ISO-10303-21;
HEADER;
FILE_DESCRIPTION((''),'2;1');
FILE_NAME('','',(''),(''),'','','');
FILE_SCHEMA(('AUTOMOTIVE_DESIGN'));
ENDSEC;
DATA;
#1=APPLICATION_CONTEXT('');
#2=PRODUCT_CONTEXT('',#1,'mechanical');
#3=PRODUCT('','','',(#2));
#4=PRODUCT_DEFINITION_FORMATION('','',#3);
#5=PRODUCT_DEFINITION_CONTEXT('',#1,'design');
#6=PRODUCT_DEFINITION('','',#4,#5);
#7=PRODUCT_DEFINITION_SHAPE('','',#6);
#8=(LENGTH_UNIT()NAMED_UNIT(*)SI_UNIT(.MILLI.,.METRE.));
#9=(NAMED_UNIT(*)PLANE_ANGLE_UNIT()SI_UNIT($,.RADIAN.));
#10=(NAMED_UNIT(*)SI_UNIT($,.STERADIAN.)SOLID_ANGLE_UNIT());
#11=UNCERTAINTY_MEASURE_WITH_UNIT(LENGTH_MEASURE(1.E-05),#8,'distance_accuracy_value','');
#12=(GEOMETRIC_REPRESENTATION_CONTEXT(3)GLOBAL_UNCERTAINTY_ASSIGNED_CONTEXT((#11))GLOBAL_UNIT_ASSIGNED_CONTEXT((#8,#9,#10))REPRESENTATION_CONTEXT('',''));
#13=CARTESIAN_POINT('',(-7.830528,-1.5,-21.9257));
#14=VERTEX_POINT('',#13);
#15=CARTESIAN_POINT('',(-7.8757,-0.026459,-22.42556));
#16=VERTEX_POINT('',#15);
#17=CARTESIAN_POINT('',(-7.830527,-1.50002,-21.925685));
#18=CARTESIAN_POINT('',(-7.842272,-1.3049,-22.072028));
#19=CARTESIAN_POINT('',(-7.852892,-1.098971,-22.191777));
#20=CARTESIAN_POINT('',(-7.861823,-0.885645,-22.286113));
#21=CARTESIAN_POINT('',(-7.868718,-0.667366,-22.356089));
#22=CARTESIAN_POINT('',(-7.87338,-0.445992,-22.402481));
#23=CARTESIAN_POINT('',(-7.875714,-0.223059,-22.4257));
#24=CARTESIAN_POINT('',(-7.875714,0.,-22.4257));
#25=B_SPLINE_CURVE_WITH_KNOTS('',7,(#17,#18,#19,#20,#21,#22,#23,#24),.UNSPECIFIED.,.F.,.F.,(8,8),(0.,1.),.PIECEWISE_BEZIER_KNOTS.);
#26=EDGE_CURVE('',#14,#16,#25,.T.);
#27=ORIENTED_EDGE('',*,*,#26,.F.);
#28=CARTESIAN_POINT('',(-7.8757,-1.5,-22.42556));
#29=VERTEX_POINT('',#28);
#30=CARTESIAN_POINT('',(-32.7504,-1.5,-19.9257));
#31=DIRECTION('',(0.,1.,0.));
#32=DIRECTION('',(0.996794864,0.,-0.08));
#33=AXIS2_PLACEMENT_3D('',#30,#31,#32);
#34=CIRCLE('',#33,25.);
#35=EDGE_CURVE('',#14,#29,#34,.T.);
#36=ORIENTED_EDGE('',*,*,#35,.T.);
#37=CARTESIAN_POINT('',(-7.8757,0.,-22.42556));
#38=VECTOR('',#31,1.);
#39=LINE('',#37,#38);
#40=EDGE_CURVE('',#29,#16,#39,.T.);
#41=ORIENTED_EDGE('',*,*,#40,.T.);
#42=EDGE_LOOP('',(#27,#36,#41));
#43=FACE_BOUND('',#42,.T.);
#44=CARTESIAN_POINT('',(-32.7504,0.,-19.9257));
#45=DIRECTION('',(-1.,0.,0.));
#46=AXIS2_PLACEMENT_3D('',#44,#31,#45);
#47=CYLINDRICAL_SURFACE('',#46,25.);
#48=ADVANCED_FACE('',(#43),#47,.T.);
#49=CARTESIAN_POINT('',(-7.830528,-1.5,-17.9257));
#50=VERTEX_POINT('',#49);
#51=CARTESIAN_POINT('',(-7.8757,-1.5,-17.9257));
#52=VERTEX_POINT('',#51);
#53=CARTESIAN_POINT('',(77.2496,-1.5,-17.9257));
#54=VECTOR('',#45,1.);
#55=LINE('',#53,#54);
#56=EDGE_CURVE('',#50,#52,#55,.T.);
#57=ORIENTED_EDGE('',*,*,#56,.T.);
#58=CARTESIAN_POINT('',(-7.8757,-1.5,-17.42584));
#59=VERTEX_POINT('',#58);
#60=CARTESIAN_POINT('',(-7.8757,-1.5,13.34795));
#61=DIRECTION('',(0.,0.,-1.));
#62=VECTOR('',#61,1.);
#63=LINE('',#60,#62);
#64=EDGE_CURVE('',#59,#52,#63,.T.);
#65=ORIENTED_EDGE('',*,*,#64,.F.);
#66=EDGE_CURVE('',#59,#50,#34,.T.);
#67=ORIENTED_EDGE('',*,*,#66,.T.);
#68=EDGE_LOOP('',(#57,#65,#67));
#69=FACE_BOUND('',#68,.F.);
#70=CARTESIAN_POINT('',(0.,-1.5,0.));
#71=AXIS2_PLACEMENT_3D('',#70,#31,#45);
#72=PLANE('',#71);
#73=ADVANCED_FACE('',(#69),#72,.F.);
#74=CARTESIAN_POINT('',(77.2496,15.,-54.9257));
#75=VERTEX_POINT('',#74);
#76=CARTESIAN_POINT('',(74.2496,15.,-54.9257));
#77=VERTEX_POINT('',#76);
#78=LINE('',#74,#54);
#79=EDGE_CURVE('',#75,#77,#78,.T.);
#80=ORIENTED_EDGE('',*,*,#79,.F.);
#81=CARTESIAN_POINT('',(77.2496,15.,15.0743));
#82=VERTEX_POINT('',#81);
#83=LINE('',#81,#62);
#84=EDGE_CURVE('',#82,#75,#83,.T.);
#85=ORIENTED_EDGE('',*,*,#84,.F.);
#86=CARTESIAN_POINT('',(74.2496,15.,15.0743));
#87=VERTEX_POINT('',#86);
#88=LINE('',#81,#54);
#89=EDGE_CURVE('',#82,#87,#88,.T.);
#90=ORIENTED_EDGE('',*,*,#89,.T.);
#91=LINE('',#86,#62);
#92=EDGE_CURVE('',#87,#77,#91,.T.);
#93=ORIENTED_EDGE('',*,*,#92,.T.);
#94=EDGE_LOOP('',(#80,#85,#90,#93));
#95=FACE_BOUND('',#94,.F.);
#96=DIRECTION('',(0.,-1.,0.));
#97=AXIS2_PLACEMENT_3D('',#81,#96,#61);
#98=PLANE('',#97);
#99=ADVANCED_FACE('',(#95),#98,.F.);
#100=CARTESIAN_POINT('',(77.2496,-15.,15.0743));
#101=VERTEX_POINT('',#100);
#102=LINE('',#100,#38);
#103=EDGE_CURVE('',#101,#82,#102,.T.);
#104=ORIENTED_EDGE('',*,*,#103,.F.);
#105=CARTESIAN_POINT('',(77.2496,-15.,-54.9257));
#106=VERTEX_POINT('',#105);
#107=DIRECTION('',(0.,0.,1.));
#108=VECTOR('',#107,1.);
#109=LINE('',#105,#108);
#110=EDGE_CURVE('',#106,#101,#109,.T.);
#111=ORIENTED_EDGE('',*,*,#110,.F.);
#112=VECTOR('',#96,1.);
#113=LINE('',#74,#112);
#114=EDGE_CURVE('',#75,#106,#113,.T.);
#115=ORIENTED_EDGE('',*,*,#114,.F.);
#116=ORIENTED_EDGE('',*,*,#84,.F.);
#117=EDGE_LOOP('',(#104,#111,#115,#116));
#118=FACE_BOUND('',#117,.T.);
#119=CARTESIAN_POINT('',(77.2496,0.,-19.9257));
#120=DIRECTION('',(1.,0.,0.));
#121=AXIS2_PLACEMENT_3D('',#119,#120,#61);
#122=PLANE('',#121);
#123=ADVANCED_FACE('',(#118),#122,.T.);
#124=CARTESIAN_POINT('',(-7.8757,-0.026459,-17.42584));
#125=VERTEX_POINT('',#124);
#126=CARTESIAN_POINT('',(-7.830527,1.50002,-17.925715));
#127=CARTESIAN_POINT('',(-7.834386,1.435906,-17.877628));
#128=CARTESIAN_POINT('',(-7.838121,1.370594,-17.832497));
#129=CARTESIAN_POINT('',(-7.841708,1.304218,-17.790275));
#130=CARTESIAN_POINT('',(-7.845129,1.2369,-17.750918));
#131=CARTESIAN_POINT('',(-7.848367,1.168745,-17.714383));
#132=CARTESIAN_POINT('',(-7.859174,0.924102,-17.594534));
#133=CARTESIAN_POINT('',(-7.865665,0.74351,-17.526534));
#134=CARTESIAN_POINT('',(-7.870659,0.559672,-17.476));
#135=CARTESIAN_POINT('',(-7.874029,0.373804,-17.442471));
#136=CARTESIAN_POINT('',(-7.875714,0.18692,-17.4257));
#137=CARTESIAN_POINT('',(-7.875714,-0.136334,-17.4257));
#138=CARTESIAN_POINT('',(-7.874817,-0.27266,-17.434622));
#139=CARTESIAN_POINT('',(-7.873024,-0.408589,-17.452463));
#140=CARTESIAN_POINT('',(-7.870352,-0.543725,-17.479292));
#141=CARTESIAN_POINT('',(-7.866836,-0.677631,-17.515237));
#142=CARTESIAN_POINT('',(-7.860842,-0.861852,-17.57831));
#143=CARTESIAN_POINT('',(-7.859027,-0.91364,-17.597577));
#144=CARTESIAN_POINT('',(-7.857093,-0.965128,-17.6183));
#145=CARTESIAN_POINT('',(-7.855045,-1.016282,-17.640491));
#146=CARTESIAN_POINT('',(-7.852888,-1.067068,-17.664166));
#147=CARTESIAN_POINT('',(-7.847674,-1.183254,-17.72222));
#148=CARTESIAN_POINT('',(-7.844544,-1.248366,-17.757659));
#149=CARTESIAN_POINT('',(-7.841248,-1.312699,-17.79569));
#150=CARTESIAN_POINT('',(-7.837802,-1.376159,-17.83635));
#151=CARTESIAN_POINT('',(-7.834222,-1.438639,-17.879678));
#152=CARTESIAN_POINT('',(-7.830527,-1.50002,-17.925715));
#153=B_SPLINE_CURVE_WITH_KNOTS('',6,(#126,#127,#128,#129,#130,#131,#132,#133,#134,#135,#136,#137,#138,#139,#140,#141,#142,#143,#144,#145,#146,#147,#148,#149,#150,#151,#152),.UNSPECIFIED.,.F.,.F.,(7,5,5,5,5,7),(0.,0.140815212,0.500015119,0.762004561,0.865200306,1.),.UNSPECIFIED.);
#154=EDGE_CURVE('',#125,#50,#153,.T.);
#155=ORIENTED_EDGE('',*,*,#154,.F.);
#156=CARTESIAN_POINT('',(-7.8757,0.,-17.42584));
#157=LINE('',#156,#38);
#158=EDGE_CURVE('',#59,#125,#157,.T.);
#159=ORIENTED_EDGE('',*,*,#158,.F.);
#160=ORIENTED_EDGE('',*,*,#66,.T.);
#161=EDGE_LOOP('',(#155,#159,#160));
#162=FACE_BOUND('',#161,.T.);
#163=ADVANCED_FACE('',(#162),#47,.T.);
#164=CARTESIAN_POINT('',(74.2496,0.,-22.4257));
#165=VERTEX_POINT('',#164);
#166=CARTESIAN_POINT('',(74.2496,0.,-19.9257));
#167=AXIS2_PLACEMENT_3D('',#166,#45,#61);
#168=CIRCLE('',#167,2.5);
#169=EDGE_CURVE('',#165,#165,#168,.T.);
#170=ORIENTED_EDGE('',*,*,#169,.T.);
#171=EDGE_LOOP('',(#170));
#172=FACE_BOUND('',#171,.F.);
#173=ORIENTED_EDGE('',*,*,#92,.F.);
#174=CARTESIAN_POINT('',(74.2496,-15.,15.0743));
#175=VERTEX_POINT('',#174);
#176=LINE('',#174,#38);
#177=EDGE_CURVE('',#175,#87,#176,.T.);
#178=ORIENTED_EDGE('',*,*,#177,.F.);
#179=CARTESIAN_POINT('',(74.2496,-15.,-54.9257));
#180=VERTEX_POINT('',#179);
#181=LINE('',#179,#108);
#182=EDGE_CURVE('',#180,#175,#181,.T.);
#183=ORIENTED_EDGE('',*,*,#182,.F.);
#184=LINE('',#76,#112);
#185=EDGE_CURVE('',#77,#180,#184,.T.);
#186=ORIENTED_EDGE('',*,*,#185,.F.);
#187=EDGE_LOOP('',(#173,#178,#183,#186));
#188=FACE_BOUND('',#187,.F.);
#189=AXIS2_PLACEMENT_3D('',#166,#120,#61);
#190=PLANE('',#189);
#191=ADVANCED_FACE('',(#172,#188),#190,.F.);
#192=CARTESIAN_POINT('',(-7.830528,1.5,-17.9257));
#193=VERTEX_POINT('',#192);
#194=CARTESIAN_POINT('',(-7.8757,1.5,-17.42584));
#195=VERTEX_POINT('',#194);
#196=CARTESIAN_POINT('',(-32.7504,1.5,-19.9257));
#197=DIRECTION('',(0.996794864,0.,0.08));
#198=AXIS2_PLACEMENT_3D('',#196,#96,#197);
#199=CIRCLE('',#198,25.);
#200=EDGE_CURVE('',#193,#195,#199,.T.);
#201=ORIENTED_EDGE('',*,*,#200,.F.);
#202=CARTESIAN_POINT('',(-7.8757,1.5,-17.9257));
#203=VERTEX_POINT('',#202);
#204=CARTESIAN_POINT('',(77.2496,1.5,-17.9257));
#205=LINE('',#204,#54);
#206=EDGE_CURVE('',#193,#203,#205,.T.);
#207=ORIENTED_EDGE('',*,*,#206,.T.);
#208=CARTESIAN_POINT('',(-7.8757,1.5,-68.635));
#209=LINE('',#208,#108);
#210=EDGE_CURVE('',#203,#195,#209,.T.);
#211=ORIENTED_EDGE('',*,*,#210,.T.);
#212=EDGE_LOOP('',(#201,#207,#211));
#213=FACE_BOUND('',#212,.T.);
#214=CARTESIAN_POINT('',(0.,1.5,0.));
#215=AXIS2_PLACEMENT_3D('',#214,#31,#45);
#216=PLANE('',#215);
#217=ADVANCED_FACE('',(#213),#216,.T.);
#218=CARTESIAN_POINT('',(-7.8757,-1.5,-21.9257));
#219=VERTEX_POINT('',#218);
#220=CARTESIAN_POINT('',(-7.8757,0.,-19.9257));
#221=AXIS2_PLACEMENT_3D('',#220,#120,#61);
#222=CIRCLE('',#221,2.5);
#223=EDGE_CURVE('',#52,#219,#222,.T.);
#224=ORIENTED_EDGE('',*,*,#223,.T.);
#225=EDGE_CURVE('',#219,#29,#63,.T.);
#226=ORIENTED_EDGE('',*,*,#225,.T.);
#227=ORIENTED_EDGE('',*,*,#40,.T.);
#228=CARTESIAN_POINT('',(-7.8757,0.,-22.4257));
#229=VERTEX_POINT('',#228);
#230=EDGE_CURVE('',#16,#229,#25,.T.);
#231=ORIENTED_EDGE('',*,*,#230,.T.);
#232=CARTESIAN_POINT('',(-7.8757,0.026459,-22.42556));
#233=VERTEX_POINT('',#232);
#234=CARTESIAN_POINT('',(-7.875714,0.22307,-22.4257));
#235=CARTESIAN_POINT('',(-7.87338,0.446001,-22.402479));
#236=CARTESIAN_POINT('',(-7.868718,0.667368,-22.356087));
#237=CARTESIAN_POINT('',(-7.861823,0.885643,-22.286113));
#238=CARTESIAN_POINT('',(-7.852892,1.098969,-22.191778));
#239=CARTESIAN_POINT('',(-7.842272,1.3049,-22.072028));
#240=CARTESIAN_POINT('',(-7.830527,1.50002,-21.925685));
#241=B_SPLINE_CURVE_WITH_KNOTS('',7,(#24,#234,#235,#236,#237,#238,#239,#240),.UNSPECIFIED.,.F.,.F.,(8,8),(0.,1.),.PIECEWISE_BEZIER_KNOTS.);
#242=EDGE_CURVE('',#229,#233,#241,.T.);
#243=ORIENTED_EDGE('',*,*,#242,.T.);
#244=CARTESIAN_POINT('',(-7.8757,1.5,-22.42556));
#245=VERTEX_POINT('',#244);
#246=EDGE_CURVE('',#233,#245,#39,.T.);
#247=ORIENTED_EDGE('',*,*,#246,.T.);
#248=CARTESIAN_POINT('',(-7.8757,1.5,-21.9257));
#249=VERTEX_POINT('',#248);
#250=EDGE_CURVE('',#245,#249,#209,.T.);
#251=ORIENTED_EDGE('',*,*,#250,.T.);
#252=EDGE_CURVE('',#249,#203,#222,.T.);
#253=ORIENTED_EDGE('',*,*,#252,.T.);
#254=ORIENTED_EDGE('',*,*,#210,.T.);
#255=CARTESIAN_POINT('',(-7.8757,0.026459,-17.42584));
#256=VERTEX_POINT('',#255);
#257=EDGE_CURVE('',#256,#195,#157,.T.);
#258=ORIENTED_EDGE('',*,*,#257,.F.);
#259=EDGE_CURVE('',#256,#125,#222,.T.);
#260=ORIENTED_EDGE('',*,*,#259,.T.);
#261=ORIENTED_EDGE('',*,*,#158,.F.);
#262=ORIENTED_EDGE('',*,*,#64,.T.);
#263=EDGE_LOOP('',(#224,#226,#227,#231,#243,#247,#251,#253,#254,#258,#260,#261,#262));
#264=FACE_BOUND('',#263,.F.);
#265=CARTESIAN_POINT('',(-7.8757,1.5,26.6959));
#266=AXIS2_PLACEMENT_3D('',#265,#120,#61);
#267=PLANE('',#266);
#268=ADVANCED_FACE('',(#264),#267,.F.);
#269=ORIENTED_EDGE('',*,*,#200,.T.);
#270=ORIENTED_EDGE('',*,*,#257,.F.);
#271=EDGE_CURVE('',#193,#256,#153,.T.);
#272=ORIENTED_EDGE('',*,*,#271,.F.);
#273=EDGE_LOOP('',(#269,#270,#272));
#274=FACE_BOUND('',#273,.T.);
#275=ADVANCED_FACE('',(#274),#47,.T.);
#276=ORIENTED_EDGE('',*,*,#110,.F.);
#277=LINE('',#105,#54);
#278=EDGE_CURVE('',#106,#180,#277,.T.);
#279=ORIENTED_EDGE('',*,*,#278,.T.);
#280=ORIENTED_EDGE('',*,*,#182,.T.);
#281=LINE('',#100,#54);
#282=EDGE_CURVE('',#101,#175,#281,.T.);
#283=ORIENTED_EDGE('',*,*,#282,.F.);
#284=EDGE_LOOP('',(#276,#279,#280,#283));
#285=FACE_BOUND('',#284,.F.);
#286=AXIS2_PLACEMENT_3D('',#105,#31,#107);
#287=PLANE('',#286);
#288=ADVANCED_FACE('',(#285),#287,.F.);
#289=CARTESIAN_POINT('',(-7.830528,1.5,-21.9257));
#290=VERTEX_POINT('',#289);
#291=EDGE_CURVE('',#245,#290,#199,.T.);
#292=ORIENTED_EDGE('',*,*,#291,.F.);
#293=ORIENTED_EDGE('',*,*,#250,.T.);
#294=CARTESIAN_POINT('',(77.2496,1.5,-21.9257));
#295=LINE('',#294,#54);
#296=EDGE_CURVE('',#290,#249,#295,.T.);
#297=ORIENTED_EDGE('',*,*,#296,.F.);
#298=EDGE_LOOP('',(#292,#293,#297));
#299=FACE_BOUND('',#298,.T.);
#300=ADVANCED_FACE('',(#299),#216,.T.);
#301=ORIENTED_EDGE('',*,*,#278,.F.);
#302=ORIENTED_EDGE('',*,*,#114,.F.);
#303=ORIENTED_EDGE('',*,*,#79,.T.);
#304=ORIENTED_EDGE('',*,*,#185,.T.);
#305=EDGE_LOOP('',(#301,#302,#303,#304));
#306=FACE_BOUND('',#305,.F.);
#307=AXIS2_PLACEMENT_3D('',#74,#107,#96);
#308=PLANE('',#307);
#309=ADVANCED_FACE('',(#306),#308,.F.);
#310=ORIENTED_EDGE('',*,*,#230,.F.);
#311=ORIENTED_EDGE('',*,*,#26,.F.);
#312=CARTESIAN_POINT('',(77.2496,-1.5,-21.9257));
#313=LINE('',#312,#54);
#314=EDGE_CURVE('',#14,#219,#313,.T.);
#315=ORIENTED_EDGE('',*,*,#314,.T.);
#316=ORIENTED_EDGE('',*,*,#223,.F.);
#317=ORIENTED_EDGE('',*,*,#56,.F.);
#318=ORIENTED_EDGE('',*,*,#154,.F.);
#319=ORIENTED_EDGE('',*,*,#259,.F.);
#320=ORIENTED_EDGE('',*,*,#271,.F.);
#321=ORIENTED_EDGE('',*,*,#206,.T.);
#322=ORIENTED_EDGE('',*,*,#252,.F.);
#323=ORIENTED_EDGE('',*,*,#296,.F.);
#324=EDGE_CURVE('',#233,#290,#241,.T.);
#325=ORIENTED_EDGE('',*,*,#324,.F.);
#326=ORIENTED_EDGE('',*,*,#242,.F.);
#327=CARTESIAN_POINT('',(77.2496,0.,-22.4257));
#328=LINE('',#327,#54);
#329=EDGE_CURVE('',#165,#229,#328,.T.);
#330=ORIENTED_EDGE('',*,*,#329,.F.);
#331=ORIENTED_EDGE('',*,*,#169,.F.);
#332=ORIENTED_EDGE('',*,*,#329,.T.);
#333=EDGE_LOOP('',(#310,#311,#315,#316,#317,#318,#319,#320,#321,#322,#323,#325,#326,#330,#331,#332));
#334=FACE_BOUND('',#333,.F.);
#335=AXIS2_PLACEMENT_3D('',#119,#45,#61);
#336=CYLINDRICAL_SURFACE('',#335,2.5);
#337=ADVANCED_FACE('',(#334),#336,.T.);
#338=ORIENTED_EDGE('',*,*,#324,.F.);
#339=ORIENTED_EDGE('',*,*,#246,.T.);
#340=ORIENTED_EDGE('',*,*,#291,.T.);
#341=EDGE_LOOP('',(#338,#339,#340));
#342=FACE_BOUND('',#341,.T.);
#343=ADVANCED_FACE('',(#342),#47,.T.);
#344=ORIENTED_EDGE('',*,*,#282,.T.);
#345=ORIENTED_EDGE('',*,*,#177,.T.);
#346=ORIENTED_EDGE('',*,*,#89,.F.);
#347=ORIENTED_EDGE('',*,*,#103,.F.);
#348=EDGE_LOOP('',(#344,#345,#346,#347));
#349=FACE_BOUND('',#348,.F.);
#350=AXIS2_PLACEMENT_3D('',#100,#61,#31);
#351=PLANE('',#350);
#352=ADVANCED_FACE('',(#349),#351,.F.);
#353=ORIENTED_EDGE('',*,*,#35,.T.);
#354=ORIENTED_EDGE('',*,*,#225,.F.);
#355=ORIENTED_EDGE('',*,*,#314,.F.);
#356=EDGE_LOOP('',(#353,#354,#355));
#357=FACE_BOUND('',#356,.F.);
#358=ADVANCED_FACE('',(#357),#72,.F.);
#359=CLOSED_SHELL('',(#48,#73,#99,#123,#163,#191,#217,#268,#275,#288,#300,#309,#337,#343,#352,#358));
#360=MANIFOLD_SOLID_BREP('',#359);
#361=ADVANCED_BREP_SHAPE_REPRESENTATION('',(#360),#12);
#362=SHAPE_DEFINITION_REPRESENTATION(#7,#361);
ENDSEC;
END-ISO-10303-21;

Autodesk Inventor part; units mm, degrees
ref_plane "YZ Plane" through (0, 0, 0) normal (1, 0, 0) x (0, 1, 0)
ref_plane "XZ Plane" through (0, 0, 0) normal (0, 1, 0) x (-1, 0, 0)
ref_plane "XY Plane" through (0, 0, 0) normal (0, 0, 1) x (1, 0, 0)
sketch "Skizze1" plane through (0, 0, 0) normal (0, 1, 0) x (-1, 0, 0)
  circle A0 centre (32.7504, -19.9257) radius 25
  line L0 (32.7504, -19.9257) -> (-77.2496, -19.9257)
  line L1 (-77.2496, -19.9257) -> (-77.2496, -22.4257)
  line L2 (-77.2496, -22.4257) -> (7.8757, -22.4257)
  line L3 (7.8757, -22.4257) -> (7.8757, -19.9257)
  point P0 (0, 0)
  dimension "d4" = 50
  dimension "d9" = 110
  dimension "d10" = 2.5
extrude "Extrusion1" add sketch "Skizze1" along normal blind 1.5 and the other way blind 1.5 contours L3 L0 A0 | A0 L0 L3
revolve "Umdrehung1" add sketch "Skizze1" angle 360 about axis through (-32.7504, 0, -19.9257) along (1, 0, 0) picked at (7.8525, -21.3151) contours L2 L1 L0 A0 | A0 L0 L3
sketch "Skizze2" plane through (77.2496, 0, -19.9257) normal (1, 0, 0) x (0, 0, -1)
  line L0 (35, -15) -> (-35, -15)
  line L1 (-35, -15) -> (-35, 15)
  line L2 (-35, 15) -> (35, 15)
  line L3 (35, 15) -> (35, -15)
  line L4 (-25, -1.5) -> (25, 1.5)
  line L5 (35, -15) -> (-35, 15) construction
  line L6 (-35, -15) -> (35, 15) construction
  circle A0 centre (0, 0) radius 2.5 projected
  point P0 (-19.9257, 0)
  point P1 (0, 0)
  point P2 (-3.75, 0)
  point P3 (3.75, 0)
  point P4 (-25, -1.5)
  point P5 (25, 1.5)
  dimension "d14" = 70
  dimension "d15" = 30
  dimension "d22" = 15
extrude "Extrusion2" add sketch "Skizze2" against normal blind 3 contours L0 L1 L2 L3 | A0 L4 | L4 A0
sketch "Skizze3" plane through (0, 1.5, 0) normal (0, 1, 0) x (1, 0, 0)
  line L0 (-7.8305, 17.9257) -> (-7.8757, 17.9257) projected
  line L1 (-7.8757, 17.9257) -> (-59.898, 17.9257)
  line L2 (-59.898, 17.9257) -> (-59.898, 68.635)
  line L3 (-59.898, 68.635) -> (-7.8757, 68.635)
  line L4 (-7.8757, 68.635) -> (-7.8757, 17.9257)
  line L5 (-7.8757, 17.9257) -> (-59.898, 17.9257)
  line L6 (-59.898, 17.9257) -> (-59.898, -26.6959)
  line L7 (-59.898, -26.6959) -> (-7.8757, -26.6959)
  line L8 (-7.8757, -26.6959) -> (-7.8757, 17.9257)
  point P0 (0, 0)
extrude "Extrusion3" cut sketch "Skizze3" against normal blind 10
properties part number "Kreisverkehrsschild_Teil_Unten"
